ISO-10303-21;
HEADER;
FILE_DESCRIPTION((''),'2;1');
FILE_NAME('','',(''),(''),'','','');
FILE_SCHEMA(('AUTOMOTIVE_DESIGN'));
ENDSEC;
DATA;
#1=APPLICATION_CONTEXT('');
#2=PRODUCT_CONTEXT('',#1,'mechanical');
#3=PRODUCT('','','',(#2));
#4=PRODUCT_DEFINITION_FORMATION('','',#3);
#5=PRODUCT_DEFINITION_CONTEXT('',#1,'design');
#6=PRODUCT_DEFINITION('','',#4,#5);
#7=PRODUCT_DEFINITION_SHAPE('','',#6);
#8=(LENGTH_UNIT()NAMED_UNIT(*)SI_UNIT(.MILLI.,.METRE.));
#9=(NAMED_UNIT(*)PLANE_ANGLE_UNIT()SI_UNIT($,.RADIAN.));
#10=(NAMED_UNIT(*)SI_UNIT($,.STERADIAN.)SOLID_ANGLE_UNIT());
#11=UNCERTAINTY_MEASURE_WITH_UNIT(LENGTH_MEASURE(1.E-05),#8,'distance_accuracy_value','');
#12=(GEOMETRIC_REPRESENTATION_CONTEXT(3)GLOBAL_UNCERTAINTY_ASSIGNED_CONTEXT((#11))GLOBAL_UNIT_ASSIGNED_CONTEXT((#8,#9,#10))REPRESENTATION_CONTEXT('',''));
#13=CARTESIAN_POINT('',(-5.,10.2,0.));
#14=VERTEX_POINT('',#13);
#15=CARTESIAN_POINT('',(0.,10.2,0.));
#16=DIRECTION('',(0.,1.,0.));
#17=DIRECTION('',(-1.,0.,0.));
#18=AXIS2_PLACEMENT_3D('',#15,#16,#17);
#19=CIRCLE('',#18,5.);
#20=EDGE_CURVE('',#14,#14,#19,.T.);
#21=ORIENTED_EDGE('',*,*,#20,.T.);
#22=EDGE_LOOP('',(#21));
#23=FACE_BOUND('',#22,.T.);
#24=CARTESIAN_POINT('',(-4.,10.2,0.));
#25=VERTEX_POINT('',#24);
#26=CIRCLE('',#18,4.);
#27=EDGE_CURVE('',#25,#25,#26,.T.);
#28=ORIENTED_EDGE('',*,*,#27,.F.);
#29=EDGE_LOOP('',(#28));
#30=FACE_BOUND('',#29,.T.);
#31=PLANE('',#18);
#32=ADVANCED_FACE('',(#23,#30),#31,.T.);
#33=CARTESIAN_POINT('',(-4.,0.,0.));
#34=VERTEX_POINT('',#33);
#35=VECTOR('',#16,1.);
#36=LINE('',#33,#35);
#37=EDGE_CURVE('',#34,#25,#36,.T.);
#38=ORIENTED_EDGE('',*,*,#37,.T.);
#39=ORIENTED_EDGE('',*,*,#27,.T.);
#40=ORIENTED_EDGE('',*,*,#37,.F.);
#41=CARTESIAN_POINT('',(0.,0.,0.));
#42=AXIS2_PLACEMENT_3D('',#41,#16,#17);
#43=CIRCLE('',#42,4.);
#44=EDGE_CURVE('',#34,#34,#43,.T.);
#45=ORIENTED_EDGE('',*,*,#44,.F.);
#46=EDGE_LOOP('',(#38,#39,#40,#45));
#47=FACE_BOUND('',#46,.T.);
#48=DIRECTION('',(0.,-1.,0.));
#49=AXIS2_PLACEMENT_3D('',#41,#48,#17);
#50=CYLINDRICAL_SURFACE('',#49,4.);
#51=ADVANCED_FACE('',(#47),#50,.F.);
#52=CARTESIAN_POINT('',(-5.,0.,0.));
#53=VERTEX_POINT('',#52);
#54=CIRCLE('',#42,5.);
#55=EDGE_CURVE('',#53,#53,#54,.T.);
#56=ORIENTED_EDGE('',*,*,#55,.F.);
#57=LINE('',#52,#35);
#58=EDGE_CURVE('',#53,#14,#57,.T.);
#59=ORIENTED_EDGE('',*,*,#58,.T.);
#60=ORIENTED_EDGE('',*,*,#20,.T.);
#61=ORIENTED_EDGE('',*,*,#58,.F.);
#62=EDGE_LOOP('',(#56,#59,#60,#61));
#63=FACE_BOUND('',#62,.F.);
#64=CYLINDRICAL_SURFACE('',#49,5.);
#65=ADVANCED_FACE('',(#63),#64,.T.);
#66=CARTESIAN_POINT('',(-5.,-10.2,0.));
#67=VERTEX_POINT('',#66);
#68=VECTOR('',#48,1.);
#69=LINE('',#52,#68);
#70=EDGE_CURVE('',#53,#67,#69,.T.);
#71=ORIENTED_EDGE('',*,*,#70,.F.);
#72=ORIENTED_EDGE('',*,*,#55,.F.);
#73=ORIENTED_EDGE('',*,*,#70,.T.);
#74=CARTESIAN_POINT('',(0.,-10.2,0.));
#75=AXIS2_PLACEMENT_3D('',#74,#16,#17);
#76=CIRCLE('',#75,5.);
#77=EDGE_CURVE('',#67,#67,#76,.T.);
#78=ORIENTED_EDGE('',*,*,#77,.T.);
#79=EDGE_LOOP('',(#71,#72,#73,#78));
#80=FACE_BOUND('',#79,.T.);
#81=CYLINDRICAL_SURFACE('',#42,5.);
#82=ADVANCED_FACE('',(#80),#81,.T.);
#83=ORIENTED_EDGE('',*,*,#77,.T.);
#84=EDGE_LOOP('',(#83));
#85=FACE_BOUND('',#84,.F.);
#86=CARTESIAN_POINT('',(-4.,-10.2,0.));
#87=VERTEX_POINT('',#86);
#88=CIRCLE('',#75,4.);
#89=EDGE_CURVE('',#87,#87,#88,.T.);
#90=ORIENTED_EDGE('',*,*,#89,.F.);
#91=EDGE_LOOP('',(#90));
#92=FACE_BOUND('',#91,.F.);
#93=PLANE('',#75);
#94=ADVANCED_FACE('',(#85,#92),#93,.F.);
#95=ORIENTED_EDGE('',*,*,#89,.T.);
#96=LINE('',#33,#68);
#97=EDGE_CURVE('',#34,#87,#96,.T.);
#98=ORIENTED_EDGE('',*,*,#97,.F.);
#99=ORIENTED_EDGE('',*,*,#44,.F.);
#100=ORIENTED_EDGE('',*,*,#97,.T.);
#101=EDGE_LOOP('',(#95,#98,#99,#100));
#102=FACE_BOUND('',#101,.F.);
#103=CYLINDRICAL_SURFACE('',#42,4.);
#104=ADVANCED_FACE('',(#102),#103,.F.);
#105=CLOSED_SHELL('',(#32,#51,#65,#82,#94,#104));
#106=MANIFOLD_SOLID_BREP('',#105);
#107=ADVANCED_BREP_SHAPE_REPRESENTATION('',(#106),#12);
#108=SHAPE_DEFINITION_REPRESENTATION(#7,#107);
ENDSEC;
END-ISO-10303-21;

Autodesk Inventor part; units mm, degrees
ref_plane "YZ Plane" through (0, 0, 0) normal (1, 0, 0) x (0, 1, 0)
ref_plane "XZ Plane" through (0, 0, 0) normal (0, 1, 0) x (-1, 0, 0)
ref_plane "XY Plane" through (0, 0, 0) normal (0, 0, 1) x (1, 0, 0)
sketch "スケッチ1" plane through (0, 0, 0) normal (0, 1, 0) x (-1, 0, 0)
  circle A0 centre (0, 0) radius 5
  circle A1 centre (0, 0) radius 4
  dimension "d0" = 10
  dimension "d1" = 1
extrude "押し出し1" add sketch "スケッチ1" along normal mid plane 20.4
properties part number "collar_20.4"
